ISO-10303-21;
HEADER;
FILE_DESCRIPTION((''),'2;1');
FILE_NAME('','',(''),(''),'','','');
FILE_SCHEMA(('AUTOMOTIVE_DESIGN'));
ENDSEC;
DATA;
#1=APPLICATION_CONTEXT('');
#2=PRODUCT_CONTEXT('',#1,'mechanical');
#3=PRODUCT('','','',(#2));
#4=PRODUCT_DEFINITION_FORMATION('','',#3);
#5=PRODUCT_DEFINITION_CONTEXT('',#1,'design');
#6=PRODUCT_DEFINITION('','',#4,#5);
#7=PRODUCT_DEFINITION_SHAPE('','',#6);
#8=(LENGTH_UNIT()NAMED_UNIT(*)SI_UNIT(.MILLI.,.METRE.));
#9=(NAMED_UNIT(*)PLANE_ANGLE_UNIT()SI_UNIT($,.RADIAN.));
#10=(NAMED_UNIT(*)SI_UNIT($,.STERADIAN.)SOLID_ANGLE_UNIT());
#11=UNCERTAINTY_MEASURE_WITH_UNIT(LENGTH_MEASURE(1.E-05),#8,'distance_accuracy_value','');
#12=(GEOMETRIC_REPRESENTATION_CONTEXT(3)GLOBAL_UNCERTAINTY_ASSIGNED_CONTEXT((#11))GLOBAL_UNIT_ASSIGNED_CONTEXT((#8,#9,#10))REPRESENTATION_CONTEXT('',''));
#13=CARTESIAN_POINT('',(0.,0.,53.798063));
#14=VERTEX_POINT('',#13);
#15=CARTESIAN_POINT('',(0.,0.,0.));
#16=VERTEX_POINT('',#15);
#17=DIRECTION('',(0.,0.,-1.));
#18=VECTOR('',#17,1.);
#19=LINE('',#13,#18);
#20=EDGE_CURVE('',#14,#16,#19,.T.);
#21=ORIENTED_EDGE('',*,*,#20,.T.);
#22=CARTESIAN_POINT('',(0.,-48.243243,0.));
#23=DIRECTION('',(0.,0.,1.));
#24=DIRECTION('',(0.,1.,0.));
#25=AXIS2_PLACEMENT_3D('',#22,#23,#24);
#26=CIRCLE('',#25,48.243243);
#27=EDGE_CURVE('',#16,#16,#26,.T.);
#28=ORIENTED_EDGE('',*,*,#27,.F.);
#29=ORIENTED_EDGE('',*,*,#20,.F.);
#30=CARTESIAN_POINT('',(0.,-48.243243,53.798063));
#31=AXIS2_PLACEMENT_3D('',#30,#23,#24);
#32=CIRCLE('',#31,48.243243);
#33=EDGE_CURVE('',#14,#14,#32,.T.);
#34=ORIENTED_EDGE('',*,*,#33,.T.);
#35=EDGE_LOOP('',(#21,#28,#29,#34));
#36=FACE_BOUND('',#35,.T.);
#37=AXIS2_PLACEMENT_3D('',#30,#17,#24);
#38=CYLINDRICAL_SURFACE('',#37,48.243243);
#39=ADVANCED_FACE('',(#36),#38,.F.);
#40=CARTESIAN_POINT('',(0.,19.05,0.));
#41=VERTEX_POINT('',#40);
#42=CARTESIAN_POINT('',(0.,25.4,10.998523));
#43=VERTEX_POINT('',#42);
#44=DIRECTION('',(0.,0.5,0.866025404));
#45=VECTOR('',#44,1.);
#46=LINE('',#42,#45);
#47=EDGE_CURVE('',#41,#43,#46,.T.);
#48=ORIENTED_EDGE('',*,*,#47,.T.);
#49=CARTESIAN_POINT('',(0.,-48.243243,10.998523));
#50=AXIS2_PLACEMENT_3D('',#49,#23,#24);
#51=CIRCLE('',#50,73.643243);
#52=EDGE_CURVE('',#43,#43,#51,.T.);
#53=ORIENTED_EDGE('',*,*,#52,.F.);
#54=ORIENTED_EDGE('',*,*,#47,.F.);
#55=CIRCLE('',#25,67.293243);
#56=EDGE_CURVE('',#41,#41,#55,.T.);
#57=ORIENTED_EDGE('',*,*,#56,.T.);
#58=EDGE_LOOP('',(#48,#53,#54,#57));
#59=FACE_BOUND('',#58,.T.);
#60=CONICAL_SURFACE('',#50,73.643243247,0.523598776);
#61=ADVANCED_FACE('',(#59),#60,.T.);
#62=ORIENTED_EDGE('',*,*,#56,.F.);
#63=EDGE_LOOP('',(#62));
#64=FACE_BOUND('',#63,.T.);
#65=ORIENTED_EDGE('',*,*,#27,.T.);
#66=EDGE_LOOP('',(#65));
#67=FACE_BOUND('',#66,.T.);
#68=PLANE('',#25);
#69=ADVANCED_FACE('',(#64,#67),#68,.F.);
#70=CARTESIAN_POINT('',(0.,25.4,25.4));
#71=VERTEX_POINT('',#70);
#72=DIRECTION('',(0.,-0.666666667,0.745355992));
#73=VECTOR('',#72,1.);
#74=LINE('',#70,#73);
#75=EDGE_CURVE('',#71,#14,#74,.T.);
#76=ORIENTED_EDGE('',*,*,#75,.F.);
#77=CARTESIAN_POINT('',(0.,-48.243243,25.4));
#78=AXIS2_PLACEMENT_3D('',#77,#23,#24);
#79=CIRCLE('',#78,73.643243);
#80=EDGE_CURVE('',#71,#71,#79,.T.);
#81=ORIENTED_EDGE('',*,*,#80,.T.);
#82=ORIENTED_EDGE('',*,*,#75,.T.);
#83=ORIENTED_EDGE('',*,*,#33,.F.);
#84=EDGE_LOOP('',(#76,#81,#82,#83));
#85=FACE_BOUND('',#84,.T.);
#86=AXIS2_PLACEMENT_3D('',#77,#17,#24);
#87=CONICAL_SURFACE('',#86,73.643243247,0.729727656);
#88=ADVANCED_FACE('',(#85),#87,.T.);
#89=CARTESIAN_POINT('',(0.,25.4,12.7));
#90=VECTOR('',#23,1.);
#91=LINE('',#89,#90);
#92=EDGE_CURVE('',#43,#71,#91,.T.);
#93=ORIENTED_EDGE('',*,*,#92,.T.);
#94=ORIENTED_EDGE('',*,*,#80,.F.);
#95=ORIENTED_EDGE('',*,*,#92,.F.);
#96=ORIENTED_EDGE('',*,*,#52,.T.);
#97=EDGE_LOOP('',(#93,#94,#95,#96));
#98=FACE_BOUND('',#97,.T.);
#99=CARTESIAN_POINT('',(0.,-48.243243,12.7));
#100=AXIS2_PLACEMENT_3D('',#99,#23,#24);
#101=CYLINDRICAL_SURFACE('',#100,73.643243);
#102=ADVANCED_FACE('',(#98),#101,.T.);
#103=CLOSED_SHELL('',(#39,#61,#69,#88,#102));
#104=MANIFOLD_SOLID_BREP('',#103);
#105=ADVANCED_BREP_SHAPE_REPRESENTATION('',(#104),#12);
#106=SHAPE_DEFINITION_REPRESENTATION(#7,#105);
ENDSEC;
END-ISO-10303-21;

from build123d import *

# Parameters (mm, degrees)
F0_W     = 25.4
F0_H     = 25.4
F2_SIZE2 = 10.9985226281
F2_SIZE  = 6.35


with BuildPart() as f1:
    # F0 (on Right) → F1 (revolve)
    with BuildSketch(Plane.YZ):
        with Locations((12.7, 12.7)):
            Rectangle(F0_W, F0_H)
        Polygon((0, 53.7980633142), (0, 25.4), (25.4, 25.4), align=None)
    revolve(axis=Axis((0, -48.2432432473, 43.7458194792), (0, 0, 1)))

    # F2
    f2_edges = [f1.edges().sort_by_distance(p)[0] for p in [
        (0, -121.886486, 0),
    ]]
    chamfer(f2_edges, length=F2_SIZE, length2=F2_SIZE2)


solid = f1.part
